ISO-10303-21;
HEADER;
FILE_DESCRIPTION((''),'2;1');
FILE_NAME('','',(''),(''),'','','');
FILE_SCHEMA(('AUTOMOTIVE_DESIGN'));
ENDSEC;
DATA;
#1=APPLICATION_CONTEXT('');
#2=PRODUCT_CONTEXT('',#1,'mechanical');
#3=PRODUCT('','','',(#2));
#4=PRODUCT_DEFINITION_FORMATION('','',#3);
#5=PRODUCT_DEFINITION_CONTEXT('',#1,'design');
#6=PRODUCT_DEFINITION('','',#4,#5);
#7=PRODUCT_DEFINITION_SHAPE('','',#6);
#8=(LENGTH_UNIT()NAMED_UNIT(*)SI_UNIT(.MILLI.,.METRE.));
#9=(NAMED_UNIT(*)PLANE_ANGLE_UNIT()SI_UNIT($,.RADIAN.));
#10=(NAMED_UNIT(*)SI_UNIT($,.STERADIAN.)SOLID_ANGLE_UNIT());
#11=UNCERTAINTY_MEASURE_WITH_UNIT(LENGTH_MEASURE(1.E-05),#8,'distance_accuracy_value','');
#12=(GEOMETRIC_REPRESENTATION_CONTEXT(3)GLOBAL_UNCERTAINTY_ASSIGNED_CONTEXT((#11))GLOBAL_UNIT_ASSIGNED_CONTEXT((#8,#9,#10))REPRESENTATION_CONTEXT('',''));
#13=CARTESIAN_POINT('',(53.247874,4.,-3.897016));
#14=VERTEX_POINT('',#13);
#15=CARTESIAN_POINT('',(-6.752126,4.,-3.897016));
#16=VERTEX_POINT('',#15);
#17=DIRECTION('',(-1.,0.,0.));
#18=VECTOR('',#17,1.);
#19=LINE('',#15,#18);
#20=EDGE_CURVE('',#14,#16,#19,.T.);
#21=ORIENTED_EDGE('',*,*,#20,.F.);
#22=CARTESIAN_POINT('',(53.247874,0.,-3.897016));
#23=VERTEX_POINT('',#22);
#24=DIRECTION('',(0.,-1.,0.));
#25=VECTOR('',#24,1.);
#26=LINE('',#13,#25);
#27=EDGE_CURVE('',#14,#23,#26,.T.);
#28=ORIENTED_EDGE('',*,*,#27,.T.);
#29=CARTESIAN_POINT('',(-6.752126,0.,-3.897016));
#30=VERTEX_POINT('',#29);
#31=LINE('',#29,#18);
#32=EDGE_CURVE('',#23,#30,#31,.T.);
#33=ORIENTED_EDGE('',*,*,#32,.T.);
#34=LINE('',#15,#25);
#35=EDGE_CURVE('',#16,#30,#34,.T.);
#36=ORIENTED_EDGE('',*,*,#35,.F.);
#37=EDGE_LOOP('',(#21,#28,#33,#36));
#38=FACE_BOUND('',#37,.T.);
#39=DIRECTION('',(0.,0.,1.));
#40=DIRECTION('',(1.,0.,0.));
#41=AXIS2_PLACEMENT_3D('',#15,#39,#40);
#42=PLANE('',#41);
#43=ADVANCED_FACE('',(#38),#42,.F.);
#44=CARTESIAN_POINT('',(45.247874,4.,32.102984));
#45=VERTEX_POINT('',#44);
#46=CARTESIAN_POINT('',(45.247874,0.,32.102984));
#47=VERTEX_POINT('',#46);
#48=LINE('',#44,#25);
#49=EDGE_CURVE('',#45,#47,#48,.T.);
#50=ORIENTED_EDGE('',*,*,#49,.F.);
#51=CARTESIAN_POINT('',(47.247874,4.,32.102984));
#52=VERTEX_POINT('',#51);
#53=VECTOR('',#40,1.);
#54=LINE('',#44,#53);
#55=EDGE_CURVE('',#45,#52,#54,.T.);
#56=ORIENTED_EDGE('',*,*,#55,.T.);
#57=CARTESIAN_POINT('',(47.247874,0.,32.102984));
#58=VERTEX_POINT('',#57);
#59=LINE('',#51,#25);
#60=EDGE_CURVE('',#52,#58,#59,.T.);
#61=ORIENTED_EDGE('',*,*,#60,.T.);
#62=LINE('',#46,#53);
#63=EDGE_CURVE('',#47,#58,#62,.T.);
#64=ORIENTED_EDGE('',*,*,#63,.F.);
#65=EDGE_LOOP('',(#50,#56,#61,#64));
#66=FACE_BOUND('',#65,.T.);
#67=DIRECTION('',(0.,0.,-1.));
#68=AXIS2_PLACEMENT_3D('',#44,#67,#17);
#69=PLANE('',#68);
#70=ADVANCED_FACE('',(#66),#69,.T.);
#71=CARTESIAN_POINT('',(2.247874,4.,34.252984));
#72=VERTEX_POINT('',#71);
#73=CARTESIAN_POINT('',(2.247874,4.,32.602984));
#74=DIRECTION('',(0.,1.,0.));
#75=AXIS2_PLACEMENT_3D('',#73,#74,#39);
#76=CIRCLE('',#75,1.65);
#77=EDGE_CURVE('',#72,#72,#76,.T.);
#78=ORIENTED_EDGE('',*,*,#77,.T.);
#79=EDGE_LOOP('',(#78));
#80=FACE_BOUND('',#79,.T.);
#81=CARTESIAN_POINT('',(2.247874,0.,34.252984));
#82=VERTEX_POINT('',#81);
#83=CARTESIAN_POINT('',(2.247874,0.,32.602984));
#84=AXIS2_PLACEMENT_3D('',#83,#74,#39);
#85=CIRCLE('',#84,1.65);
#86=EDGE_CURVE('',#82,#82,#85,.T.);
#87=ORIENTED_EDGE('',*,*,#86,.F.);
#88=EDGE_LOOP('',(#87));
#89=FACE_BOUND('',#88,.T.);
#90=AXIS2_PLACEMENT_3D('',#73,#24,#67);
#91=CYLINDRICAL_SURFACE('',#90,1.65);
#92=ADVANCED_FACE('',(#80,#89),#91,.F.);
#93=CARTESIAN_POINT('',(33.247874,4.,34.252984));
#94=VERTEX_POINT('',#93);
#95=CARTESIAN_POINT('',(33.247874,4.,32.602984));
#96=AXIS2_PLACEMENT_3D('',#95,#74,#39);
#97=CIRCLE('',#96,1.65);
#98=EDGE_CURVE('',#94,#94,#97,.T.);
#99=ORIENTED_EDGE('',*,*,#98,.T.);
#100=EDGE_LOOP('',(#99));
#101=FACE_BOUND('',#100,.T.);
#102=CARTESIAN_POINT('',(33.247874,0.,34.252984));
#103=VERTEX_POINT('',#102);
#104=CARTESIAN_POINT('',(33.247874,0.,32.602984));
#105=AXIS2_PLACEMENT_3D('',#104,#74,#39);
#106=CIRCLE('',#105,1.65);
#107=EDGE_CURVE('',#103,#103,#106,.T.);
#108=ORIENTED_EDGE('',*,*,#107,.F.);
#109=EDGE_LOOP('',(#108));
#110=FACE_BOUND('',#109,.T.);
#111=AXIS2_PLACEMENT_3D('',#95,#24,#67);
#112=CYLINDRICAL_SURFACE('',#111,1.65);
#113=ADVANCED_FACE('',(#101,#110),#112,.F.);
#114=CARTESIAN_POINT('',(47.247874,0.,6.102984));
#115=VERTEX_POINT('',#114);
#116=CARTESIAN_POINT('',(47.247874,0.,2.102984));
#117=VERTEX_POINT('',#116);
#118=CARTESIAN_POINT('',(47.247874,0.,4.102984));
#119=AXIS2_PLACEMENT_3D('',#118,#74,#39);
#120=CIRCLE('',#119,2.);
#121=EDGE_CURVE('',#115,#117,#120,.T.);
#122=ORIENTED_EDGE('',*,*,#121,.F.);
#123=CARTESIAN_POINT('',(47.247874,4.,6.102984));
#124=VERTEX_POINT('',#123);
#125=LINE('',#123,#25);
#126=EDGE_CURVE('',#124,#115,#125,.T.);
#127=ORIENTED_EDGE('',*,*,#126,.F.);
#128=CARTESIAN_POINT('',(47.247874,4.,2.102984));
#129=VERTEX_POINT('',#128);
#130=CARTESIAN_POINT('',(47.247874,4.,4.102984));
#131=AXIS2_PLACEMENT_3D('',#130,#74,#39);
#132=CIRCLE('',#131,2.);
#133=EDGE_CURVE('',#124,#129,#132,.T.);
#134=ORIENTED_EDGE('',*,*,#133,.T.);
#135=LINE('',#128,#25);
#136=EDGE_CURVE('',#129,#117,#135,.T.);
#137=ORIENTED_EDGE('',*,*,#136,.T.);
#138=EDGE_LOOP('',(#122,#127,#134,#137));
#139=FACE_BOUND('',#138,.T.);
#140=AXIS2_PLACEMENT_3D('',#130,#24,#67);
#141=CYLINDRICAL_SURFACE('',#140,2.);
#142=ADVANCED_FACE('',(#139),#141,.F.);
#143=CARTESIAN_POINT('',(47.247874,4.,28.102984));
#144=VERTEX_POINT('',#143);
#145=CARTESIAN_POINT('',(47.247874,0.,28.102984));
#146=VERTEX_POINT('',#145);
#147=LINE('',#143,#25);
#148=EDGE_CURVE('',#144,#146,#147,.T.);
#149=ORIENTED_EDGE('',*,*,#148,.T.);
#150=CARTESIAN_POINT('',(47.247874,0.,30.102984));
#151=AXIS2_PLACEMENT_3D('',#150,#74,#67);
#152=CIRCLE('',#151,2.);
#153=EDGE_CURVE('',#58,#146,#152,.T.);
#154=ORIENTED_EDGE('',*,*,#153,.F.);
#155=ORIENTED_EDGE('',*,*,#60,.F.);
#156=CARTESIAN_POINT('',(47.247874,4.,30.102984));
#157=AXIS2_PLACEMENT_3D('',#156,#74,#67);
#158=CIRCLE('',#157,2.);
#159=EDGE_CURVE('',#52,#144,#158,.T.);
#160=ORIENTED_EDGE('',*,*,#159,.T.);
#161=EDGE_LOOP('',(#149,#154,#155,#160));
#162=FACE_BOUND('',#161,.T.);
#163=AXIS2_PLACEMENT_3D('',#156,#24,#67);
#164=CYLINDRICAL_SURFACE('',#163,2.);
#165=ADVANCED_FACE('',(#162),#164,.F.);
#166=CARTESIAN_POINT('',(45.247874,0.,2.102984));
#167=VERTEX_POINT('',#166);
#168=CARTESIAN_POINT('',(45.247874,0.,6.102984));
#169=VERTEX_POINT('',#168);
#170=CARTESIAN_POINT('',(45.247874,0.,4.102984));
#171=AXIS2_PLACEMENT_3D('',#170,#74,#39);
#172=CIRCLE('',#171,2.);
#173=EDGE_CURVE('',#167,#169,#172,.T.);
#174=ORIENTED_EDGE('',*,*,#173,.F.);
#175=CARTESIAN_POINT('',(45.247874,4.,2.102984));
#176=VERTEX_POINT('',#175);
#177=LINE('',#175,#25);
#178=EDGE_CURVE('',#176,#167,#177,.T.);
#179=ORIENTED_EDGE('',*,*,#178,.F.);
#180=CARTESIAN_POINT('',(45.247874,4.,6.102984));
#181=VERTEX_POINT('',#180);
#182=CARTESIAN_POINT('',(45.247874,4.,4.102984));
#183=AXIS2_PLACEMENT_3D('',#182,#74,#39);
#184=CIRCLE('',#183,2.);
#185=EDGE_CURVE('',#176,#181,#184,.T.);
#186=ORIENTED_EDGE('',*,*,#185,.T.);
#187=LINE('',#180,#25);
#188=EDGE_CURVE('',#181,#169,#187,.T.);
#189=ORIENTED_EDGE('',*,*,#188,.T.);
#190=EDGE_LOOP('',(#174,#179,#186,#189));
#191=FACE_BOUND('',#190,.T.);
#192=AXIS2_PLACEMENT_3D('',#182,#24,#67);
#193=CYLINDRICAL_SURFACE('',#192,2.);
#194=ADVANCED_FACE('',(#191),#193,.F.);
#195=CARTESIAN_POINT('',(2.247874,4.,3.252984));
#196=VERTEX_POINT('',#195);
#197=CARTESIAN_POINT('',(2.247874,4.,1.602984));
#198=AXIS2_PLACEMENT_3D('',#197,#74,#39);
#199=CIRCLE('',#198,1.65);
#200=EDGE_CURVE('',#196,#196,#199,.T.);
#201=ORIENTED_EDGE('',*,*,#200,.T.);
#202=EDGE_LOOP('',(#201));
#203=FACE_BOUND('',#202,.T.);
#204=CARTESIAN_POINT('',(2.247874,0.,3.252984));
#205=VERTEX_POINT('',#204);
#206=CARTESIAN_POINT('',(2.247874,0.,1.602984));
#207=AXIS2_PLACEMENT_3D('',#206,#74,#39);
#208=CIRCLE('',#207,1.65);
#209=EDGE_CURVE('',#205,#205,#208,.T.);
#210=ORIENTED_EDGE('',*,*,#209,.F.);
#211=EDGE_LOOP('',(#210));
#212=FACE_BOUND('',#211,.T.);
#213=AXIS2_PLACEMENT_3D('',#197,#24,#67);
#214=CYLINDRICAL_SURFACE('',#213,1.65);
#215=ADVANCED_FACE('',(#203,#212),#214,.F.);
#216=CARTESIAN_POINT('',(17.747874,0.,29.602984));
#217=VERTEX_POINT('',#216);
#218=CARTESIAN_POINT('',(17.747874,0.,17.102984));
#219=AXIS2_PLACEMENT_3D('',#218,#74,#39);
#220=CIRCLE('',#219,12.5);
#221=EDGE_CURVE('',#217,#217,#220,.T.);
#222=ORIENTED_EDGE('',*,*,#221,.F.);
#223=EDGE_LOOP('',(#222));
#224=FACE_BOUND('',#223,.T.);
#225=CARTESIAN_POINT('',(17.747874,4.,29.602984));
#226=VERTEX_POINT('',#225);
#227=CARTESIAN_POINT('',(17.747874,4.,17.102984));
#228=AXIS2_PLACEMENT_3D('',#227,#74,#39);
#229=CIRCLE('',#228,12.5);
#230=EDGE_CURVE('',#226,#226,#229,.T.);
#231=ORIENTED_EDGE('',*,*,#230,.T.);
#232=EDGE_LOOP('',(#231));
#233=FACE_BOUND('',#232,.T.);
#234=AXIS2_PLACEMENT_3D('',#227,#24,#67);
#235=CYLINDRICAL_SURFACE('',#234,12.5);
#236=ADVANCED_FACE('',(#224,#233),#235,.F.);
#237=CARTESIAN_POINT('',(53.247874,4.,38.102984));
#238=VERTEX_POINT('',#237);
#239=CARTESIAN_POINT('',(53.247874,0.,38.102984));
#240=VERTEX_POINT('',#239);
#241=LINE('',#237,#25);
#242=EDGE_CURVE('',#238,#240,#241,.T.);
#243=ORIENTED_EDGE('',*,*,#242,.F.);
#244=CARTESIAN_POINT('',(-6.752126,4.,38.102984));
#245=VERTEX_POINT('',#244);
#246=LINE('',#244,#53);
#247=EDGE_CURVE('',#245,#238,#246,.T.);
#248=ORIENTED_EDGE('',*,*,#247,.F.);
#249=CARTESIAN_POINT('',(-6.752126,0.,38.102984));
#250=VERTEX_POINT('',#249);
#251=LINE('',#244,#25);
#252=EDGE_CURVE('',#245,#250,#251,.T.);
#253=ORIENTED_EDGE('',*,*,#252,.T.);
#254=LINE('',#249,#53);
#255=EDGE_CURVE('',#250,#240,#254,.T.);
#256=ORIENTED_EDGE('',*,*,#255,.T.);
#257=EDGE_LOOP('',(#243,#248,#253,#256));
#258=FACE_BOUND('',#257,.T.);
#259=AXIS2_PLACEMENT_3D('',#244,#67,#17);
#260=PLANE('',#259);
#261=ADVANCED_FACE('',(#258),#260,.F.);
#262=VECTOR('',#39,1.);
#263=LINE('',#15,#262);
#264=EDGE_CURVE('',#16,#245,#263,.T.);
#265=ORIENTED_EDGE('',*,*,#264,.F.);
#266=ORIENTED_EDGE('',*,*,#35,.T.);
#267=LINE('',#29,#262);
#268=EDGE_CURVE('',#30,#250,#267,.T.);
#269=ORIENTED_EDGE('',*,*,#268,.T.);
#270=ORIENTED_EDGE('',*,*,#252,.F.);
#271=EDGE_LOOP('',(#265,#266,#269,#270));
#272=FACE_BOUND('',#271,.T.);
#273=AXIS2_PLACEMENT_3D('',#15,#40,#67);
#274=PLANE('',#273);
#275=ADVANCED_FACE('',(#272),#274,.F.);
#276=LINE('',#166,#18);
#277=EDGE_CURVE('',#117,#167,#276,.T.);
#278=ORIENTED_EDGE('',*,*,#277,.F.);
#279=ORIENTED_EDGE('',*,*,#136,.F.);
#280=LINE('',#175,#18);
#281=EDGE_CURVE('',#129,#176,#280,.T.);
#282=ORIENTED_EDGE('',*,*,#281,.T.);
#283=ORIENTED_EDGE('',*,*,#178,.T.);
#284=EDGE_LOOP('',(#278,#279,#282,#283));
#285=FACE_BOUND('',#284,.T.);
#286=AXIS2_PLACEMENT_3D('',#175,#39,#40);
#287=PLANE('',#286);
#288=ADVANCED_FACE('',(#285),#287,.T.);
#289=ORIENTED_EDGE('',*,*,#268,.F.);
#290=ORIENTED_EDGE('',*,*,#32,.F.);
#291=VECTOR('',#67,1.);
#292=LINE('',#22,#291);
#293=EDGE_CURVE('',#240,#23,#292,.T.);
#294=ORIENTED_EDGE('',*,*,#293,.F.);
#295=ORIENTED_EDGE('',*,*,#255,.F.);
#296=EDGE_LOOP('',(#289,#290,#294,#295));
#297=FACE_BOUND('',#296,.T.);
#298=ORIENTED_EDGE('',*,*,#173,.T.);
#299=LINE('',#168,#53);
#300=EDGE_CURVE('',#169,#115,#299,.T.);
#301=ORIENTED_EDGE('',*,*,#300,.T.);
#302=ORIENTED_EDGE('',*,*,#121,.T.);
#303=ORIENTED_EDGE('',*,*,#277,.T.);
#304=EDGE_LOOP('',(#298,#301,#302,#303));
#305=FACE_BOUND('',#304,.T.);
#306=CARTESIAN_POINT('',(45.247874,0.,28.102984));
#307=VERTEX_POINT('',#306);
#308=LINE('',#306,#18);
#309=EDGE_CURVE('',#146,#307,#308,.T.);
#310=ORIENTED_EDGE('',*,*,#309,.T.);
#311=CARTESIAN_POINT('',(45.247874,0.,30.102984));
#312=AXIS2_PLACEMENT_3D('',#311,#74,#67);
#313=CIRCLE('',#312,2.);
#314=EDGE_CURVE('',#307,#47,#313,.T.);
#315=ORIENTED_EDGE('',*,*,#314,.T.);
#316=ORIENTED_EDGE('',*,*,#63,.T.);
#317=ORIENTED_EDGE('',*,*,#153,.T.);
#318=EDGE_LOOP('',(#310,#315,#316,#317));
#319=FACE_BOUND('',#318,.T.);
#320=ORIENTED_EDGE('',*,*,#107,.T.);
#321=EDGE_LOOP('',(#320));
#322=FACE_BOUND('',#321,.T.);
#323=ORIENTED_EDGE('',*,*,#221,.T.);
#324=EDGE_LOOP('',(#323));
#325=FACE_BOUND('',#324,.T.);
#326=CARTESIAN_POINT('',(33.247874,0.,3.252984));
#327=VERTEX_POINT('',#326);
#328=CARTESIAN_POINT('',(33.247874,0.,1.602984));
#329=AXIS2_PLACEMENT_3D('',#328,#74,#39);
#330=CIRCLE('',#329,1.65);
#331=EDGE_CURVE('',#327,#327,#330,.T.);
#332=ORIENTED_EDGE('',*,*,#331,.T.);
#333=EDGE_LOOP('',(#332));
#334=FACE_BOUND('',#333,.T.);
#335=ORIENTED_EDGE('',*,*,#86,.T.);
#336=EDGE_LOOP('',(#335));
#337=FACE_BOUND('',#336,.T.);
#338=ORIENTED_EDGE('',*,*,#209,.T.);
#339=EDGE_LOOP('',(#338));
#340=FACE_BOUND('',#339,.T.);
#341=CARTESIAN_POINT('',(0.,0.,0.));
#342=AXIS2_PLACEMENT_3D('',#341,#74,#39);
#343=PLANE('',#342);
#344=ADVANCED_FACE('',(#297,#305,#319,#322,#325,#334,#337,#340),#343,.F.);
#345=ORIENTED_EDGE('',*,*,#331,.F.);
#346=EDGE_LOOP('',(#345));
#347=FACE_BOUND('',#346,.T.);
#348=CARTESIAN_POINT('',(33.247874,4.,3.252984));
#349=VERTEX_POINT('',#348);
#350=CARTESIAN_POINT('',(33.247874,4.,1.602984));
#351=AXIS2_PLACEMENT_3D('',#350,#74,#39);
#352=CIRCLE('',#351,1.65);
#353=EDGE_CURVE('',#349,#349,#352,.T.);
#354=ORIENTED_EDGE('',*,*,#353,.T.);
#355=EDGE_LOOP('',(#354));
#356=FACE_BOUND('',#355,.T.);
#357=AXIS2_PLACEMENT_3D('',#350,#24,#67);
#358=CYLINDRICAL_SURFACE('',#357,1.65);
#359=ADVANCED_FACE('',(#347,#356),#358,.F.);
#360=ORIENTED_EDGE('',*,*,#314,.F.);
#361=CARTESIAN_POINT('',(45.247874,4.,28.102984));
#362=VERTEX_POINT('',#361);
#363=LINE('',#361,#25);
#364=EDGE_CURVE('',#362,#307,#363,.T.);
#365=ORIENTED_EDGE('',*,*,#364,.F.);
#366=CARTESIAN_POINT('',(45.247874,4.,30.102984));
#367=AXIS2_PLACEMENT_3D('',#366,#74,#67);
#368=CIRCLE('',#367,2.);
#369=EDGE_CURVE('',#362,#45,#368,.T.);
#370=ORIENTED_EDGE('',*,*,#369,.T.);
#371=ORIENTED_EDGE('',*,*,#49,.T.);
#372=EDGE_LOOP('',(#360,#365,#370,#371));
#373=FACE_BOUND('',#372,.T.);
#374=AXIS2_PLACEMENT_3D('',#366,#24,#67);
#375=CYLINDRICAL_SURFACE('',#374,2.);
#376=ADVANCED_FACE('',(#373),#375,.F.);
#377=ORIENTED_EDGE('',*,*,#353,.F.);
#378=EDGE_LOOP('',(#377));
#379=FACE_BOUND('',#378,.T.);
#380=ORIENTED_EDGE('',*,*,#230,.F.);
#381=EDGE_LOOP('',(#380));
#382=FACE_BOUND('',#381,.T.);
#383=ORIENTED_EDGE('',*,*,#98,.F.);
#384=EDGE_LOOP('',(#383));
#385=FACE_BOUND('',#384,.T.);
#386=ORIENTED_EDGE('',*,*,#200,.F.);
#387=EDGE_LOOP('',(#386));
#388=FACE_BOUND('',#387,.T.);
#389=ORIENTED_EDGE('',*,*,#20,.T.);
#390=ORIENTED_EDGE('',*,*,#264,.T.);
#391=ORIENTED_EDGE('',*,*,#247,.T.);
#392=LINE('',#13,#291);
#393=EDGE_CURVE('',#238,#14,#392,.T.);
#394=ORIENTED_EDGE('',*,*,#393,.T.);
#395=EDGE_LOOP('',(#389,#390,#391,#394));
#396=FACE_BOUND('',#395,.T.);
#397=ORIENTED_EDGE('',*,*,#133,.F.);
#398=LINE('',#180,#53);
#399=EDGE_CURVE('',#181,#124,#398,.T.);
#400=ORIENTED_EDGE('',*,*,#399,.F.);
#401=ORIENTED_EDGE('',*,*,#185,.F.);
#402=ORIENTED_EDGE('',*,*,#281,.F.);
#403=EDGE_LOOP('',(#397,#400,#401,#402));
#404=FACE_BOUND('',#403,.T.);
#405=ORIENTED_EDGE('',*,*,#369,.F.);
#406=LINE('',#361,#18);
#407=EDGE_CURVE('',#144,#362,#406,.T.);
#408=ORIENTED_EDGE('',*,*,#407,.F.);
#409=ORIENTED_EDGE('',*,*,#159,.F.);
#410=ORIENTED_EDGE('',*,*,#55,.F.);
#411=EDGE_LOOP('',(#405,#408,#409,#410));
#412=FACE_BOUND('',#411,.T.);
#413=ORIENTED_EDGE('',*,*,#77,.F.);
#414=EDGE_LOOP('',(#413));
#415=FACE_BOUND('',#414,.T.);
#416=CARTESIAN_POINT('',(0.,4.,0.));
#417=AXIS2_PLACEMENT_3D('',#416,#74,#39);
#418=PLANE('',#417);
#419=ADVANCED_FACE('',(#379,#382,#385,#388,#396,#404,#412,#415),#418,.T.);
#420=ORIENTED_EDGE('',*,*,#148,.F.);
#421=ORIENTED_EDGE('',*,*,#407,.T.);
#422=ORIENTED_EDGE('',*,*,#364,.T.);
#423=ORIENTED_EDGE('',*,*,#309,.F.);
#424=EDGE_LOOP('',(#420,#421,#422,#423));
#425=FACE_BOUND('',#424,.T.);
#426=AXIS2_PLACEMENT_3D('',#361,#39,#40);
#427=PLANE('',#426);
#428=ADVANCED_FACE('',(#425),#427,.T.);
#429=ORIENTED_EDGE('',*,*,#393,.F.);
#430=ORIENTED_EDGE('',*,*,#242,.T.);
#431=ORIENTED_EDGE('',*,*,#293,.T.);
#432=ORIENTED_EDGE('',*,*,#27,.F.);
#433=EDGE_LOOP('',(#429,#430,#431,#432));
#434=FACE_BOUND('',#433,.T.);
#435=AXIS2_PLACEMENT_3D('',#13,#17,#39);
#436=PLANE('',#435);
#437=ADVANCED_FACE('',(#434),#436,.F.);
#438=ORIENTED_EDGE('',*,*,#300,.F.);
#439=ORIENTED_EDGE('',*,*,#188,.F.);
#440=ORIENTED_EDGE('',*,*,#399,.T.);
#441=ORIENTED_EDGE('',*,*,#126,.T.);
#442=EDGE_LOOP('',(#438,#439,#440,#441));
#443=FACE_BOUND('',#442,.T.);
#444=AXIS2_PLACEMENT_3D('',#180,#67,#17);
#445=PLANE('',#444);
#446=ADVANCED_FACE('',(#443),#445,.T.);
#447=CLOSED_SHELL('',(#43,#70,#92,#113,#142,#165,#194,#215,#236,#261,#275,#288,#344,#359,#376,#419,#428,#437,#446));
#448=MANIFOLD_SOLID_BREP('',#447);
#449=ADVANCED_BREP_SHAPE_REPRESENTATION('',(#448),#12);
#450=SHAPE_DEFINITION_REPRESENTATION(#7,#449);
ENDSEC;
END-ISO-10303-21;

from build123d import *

# Parameters (mm, degrees)
SKETCH_1_W      = 60
SKETCH_1_H      = 42
SKETCH_1_R      = 1.65
SKETCH_1_R_2    = 12.5
EXTRUDE_1_DEPTH = 4


with BuildPart() as part:
    # 草图1 → 凸台-拉伸1 (new body)
    with BuildSketch(Plane(origin=(0, 0, 0), x_dir=(1, 0, 0), z_dir=(0, 1, 0))):
        with Locations((23.247873649, -17.102984292)):
            Rectangle(SKETCH_1_W, SKETCH_1_H)
        with Locations(Location((2.247873649, -1.602984292, 0), (0, 0, 270))):
            Circle(SKETCH_1_R, mode=Mode.SUBTRACT)
        with Locations(Location((33.247873649, -1.602984292, 0), (0, 0, 270))):
            Circle(SKETCH_1_R, mode=Mode.SUBTRACT)
        with Locations(Location((33.247873649, -32.602984292, 0), (0, 0, 270))):
            Circle(SKETCH_1_R, mode=Mode.SUBTRACT)
        with Locations(Location((2.247873649, -32.602984292, 0), (0, 0, 270))):
            Circle(SKETCH_1_R, mode=Mode.SUBTRACT)
        with Locations(Location((17.747873649, -17.102984292, 0), (0, 0, 270))):
            Circle(SKETCH_1_R_2, mode=Mode.SUBTRACT)
        with BuildLine():
            Line((45.247873649, -2.102984292), (47.247873649, -2.102984292))
            ThreePointArc((47.247873649, -2.102984292), (49.247873649, -4.102984292), (47.247873649, -6.102984292))
            Line((47.247873649, -6.102984292), (45.247873649, -6.102984292))
            ThreePointArc((45.247873649, -6.102984292), (43.247873649, -4.102984292), (45.247873649, -2.102984292))
        make_face(mode=Mode.SUBTRACT)
        with BuildLine():
            Line((45.247873649, -32.102984292), (47.247873649, -32.102984292))
            ThreePointArc((47.247873649, -32.102984292), (49.247873649, -30.102984292), (47.247873649, -28.102984292))
            Line((47.247873649, -28.102984292), (45.247873649, -28.102984292))
            ThreePointArc((45.247873649, -28.102984292), (43.247873649, -30.102984292), (45.247873649, -32.102984292))
        make_face(mode=Mode.SUBTRACT)
    extrude(amount=EXTRUDE_1_DEPTH)


solid = part.part
